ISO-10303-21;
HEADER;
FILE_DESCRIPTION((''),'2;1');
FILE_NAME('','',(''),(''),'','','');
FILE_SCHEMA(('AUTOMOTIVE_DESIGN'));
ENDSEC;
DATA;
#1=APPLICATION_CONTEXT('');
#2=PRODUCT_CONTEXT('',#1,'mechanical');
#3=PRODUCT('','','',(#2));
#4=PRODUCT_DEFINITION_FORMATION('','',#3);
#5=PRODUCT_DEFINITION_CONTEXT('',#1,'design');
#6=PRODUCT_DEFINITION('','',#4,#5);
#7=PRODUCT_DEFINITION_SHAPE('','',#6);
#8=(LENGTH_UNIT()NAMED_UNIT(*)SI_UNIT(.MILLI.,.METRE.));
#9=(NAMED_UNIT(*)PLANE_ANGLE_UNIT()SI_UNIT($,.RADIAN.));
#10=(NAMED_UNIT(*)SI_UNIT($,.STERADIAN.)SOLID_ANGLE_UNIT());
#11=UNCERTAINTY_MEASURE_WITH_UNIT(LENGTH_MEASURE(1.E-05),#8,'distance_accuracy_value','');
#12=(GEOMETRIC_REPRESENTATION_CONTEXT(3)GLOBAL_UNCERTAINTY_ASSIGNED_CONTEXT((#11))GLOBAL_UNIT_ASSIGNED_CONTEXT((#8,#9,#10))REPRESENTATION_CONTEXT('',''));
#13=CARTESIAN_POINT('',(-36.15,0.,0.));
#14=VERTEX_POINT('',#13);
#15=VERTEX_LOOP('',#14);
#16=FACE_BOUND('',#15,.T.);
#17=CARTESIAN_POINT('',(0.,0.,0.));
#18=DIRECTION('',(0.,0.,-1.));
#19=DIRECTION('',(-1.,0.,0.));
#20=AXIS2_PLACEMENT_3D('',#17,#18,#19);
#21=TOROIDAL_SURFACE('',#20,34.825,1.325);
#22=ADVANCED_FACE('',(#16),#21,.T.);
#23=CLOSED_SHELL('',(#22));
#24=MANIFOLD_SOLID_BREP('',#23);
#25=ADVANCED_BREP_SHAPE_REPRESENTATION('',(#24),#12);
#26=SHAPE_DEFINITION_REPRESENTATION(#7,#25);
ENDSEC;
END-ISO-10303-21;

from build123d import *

# Parameters (mm, degrees)
SKETCH2_R = 1.325


with BuildPart() as part:
    # Sweep1: sweep along a path in Sketch1
    with BuildLine(Plane.XY) as sweep1_path:
        CenterArc((0, 0), 33.5, 0, 360)
    # Sketch2 → Sweep1 (sweep)
    with BuildSketch(Plane(origin=(0, 0, 0), x_dir=(1, 0, 0), z_dir=(0, 1, 0))):
        with Locations((-34.825, 0)):
            Circle(SKETCH2_R)
    sweep(path=sweep1_path.line)


solid = part.part
